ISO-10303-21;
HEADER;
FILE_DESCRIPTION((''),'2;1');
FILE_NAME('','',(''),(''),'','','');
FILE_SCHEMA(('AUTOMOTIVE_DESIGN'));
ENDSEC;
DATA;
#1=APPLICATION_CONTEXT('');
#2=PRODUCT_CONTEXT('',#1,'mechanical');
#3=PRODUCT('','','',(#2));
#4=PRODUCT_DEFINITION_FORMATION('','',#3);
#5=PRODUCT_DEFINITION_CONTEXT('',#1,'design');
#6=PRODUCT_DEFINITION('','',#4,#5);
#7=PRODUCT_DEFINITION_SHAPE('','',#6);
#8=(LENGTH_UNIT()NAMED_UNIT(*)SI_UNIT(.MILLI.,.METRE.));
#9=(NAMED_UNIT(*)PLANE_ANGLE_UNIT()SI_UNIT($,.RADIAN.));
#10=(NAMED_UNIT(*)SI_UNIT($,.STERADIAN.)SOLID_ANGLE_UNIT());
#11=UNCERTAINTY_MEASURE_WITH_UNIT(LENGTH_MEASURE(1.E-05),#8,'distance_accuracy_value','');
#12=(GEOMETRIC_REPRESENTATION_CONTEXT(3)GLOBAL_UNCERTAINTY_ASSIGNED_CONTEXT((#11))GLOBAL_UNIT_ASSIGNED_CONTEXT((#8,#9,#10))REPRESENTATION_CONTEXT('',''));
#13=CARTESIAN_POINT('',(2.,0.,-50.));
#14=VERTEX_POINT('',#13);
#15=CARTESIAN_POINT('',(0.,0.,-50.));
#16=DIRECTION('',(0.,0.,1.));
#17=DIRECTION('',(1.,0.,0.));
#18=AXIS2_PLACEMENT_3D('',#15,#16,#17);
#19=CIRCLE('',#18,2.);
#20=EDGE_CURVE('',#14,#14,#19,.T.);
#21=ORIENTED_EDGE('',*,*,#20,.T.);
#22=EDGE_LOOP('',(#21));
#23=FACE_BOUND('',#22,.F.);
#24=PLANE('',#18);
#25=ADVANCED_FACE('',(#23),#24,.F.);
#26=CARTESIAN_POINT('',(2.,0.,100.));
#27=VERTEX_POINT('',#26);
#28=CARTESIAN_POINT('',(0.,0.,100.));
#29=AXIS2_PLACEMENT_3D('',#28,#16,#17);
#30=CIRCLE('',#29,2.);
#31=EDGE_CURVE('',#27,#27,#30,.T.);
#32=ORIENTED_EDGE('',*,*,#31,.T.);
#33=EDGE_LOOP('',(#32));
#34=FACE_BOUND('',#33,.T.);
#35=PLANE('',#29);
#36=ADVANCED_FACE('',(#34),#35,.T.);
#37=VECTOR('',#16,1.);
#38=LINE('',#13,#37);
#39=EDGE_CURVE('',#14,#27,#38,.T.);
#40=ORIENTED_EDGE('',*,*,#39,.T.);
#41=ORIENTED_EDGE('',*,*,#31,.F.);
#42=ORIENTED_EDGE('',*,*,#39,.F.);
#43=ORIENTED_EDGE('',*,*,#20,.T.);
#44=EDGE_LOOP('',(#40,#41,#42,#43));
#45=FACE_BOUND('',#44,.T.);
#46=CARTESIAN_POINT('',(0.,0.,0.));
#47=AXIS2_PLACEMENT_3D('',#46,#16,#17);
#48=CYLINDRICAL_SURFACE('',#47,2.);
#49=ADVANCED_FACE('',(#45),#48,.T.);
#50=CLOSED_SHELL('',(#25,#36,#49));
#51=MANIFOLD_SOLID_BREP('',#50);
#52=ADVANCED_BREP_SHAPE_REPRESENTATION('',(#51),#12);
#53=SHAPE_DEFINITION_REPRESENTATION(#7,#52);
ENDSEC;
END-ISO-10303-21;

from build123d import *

# Parameters (mm, degrees)
SKETCH1_R                = 2
BOSS_EXTRUDE1_DEPTH      = 100
BOSS_EXTRUDE1_DEPTH_BACK = 50


with BuildPart() as part:
    # Sketch1 → Boss-Extrude1 (new body, two sides)
    with BuildSketch(Plane.XY) as boss_extrude1_sk:
        Circle(SKETCH1_R)
    extrude(amount=BOSS_EXTRUDE1_DEPTH)
    extrude(boss_extrude1_sk.sketch, amount=-BOSS_EXTRUDE1_DEPTH_BACK)


solid = part.part
